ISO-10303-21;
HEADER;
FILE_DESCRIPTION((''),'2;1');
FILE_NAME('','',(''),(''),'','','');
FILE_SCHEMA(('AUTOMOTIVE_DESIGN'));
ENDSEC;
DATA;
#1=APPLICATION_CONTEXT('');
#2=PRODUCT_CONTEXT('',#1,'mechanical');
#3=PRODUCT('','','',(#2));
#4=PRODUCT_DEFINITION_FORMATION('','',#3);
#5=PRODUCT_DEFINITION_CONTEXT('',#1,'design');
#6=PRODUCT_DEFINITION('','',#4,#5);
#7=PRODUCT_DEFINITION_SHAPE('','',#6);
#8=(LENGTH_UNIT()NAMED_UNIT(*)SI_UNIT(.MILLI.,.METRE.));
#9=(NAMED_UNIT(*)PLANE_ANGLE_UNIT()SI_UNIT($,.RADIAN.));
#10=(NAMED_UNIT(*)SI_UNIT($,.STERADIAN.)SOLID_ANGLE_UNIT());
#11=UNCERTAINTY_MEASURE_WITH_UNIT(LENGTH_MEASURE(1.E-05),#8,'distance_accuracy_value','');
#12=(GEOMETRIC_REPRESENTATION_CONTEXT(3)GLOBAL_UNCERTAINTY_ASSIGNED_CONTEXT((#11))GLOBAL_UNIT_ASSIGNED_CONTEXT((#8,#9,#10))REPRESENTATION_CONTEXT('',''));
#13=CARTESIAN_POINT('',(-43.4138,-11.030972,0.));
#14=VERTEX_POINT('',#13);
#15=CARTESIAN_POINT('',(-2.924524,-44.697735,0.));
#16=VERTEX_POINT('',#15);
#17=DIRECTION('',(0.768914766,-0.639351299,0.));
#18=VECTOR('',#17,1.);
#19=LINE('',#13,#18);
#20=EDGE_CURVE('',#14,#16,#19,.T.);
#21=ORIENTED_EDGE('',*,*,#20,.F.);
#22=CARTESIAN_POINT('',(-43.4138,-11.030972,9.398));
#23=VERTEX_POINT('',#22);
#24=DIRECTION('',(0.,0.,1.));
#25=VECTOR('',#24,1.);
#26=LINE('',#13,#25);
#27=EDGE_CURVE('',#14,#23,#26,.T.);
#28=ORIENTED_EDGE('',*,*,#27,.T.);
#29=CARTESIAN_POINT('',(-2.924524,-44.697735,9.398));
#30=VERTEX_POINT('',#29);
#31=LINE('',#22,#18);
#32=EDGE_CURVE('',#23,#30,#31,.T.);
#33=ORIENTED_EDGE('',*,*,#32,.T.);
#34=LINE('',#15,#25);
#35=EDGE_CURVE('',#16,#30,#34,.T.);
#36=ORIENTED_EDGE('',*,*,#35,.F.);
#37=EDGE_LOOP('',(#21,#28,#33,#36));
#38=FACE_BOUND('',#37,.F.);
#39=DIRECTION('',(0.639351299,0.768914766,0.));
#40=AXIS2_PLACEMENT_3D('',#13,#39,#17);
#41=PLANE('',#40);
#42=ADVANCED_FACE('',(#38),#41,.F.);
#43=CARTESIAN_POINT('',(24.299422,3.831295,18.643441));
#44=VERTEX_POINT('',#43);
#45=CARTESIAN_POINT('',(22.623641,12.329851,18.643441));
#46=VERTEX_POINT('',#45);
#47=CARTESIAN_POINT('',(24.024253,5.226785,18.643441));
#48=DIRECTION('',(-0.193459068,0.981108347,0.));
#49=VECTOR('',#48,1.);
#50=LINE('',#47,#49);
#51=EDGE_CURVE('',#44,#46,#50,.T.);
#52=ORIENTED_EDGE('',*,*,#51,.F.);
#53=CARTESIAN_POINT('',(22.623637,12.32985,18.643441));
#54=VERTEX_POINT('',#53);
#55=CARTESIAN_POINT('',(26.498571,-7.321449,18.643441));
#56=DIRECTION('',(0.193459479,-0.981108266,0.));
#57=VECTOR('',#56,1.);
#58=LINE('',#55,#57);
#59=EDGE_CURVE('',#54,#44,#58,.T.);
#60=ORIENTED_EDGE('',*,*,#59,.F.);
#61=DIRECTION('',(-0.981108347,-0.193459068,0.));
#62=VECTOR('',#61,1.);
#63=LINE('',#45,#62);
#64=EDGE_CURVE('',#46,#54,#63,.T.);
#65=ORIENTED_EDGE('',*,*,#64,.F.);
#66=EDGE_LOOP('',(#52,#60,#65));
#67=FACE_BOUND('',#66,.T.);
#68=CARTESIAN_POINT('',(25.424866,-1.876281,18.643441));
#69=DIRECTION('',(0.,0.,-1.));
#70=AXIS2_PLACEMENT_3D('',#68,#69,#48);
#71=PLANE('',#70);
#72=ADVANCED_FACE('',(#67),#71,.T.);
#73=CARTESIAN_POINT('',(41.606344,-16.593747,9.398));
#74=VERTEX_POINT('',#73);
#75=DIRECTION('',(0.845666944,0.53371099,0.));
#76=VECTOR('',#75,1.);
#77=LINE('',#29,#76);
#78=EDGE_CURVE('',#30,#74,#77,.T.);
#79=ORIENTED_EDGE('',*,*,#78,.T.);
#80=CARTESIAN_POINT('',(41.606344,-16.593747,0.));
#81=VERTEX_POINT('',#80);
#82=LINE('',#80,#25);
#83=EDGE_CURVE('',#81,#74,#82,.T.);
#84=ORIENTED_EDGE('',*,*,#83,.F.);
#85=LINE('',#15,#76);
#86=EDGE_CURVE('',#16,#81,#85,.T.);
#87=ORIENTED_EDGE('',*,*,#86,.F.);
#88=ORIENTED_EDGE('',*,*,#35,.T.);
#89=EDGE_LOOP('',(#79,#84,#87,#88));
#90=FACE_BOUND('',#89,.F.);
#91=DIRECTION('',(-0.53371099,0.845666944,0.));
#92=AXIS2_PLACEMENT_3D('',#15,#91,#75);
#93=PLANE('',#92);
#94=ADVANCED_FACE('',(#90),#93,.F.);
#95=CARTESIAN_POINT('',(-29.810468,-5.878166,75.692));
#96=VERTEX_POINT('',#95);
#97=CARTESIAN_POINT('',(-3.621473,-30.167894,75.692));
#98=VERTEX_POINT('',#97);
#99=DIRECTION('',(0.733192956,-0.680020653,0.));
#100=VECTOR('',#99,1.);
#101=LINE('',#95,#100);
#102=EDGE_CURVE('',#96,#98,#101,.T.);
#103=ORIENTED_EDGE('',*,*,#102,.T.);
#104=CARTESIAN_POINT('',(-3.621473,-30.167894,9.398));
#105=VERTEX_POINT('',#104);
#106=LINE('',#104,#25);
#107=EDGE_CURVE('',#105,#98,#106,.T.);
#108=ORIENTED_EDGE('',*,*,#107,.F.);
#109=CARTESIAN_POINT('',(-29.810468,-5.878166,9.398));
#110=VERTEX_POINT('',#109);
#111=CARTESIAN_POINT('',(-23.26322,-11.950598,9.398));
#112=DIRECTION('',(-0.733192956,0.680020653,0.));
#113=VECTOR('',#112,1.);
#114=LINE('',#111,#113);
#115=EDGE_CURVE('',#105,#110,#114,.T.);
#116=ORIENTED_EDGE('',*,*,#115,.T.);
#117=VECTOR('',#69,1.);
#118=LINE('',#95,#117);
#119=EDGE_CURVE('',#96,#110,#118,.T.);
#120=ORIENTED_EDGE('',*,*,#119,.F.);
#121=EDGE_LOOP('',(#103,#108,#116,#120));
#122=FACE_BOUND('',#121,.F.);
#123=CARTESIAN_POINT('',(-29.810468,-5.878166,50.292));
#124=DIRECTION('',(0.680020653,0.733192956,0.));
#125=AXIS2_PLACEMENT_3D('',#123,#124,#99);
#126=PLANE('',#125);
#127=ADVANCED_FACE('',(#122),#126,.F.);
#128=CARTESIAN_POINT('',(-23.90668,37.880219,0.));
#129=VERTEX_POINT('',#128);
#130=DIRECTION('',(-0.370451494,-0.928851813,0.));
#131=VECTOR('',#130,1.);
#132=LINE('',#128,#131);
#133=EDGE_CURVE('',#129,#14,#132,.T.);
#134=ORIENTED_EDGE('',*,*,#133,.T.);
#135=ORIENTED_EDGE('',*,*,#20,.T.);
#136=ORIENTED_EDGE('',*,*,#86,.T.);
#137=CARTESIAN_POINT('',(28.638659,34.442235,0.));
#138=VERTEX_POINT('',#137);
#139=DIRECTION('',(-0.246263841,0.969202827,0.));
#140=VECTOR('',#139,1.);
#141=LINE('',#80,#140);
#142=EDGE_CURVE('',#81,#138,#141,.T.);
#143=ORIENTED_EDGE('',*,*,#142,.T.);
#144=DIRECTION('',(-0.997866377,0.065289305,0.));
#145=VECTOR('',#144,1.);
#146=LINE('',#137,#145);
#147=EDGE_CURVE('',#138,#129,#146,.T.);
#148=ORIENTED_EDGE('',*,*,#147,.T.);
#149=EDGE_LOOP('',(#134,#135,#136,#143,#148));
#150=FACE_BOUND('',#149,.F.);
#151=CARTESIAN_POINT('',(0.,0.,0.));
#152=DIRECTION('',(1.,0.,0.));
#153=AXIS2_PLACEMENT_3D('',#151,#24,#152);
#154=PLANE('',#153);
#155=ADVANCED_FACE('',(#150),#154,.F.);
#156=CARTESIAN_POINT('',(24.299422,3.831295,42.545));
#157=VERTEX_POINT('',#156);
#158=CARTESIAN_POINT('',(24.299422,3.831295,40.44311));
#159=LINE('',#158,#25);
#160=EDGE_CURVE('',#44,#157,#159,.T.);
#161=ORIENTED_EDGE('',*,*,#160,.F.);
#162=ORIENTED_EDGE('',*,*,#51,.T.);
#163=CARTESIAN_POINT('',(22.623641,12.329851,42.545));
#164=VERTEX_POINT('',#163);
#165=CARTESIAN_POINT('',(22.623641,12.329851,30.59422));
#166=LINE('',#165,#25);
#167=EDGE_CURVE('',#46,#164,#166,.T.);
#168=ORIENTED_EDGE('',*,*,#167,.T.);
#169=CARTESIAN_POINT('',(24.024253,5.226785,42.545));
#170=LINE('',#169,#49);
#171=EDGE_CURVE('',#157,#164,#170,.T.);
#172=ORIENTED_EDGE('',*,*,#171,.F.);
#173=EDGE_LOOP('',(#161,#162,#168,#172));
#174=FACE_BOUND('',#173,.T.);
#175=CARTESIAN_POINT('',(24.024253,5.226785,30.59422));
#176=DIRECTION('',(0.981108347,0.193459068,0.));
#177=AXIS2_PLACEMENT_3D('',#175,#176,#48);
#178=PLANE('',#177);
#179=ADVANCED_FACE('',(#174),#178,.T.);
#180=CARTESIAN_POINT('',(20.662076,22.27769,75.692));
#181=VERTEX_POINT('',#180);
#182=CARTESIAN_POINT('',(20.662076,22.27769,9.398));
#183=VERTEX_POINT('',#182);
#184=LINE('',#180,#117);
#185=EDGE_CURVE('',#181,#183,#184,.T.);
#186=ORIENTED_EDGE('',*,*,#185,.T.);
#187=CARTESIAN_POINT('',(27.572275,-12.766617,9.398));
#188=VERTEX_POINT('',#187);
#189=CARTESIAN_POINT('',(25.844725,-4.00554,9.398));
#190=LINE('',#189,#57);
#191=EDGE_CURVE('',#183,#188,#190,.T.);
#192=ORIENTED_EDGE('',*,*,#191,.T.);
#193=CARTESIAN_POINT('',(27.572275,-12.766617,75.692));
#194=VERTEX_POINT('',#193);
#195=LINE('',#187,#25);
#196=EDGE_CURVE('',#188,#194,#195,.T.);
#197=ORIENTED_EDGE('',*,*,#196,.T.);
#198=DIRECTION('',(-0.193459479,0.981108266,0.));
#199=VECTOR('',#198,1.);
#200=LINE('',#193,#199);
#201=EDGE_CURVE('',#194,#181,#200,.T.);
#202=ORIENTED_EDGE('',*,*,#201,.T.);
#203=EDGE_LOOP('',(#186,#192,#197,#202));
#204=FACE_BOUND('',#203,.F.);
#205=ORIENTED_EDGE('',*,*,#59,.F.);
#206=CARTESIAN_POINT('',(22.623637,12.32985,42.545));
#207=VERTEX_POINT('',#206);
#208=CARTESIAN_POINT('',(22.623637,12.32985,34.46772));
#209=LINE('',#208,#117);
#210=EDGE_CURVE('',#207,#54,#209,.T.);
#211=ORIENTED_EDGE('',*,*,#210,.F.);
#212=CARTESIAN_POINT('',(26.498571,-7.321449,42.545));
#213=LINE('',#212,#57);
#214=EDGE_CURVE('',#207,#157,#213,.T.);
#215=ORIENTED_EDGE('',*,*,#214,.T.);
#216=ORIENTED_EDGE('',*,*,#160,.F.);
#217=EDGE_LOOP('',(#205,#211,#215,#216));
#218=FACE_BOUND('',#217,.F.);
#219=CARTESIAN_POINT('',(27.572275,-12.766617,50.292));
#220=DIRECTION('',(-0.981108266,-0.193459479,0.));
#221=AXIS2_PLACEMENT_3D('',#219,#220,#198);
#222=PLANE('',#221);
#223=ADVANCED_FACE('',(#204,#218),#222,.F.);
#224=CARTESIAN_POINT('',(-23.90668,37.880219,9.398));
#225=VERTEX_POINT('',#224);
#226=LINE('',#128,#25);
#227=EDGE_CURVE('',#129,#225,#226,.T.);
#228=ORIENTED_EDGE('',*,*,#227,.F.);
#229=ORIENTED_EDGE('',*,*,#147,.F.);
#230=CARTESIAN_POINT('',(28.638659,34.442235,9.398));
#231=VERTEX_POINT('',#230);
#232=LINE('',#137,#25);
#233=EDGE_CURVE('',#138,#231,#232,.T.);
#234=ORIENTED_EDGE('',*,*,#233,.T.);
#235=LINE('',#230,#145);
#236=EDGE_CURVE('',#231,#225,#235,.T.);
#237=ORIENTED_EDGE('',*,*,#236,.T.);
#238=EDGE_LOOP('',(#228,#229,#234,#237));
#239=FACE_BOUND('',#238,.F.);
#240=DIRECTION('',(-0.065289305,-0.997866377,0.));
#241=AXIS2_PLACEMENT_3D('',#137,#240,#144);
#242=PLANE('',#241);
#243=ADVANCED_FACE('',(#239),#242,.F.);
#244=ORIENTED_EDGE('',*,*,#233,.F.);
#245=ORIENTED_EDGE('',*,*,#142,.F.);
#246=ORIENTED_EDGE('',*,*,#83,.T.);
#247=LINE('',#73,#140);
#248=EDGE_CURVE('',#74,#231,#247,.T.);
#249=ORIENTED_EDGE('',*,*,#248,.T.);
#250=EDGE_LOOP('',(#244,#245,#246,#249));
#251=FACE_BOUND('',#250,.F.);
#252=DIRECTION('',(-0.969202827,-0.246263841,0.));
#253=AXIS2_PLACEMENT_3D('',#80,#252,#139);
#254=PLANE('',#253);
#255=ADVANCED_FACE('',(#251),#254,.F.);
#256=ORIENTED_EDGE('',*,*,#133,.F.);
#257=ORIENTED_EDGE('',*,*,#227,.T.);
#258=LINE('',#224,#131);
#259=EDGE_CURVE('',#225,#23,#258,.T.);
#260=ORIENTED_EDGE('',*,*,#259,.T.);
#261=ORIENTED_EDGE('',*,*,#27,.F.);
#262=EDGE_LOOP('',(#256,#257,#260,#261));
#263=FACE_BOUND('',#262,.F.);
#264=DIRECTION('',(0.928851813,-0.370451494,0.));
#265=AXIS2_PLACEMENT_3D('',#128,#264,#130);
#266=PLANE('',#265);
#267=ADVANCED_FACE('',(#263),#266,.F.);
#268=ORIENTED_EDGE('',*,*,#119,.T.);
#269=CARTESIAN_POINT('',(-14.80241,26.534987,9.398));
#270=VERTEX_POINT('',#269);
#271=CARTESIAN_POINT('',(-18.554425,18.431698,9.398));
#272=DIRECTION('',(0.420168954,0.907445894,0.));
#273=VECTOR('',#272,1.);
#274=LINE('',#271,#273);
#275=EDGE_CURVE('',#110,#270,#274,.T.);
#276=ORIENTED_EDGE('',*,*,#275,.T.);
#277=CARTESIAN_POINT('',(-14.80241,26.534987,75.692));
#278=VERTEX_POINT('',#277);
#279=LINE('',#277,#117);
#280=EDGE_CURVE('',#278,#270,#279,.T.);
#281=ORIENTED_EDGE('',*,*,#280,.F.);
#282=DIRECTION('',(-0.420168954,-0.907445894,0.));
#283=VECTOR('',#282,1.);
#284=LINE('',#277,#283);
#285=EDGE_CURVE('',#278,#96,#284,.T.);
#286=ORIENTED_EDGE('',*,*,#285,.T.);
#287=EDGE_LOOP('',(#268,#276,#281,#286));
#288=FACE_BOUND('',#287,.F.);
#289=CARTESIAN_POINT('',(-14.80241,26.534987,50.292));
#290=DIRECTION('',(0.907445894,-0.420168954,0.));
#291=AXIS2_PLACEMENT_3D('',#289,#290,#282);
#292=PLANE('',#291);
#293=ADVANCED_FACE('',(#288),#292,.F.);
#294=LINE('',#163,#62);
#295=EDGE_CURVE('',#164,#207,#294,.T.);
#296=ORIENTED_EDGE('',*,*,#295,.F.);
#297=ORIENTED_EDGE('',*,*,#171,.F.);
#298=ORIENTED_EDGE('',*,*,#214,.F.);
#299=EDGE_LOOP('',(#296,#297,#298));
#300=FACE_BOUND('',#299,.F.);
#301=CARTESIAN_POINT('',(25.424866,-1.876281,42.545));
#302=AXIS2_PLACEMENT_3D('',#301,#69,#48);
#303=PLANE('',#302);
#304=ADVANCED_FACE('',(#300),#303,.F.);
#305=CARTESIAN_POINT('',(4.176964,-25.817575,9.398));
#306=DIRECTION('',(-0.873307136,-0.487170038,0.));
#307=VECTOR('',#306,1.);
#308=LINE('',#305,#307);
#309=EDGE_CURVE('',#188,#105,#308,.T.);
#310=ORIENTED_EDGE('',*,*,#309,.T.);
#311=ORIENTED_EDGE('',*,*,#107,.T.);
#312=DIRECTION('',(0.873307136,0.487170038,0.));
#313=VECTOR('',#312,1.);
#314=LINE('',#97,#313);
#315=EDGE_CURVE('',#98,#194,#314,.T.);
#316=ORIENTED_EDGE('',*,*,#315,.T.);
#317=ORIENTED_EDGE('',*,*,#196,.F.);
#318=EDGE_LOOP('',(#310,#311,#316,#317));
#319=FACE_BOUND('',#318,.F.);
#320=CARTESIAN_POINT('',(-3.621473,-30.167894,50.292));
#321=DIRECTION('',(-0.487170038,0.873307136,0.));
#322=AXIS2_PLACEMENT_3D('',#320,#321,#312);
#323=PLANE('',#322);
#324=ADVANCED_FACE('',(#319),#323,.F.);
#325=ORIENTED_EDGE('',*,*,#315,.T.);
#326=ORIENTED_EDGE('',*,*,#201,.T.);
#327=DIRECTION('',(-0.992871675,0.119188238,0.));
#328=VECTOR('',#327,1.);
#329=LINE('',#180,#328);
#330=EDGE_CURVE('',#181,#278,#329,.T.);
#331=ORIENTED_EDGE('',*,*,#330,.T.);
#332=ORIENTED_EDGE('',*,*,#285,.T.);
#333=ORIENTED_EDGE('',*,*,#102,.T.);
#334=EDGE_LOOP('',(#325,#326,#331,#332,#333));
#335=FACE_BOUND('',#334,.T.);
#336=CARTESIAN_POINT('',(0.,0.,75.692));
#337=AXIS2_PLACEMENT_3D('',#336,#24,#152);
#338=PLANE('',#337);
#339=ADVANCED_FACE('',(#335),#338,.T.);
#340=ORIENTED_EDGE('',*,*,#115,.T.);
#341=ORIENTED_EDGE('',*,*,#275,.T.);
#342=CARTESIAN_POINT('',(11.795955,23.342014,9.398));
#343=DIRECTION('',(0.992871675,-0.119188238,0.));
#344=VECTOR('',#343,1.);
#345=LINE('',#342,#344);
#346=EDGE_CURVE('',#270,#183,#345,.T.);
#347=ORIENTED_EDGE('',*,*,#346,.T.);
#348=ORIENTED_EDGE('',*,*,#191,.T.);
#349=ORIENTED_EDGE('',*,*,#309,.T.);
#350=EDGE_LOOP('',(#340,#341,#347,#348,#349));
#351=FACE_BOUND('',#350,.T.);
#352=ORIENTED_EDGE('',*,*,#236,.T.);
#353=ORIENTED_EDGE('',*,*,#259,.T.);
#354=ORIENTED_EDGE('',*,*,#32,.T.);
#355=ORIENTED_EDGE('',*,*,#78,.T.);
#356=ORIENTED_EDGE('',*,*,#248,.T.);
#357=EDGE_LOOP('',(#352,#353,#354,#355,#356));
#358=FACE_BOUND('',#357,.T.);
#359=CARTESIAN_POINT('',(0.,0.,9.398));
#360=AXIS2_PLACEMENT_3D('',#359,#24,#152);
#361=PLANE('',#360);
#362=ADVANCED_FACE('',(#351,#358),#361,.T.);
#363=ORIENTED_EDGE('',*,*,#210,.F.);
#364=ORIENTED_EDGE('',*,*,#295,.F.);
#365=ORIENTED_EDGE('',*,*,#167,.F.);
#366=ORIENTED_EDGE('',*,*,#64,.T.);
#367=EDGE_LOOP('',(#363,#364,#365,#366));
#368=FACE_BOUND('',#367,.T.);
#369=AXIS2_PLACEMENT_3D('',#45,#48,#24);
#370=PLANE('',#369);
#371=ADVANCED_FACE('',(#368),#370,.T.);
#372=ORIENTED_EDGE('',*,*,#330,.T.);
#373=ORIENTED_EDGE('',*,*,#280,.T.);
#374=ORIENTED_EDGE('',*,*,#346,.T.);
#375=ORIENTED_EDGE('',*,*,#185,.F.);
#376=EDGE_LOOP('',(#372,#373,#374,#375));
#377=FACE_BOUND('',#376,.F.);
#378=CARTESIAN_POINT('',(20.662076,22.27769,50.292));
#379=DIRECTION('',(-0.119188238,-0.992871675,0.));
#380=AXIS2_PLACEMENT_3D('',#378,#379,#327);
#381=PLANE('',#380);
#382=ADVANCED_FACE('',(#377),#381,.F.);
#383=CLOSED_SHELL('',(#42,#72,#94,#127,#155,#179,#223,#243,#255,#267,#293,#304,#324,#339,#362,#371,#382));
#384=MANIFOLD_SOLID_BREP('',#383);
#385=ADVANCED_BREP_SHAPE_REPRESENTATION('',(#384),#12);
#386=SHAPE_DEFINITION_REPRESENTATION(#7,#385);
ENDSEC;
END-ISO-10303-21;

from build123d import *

# Parameters (mm, degrees)
F1_DEPTH = 9.398
F3_DEPTH = 50.292
F4_DEPTH = 25.4
F6_W     = 14.479677
F6_H     = 23.901559
F7_DEPTH = 8.89


with BuildPart() as f1:
    # F0 (on Top) → F1 (new body)
    with BuildSketch(Plane.XY):
        Polygon((-2.924524, -44.697735), (41.606344, -16.593747), (28.638659, 34.442235), (-23.90668, 37.880219), (-43.4138, -11.030972), align=None)
    extrude(amount=F1_DEPTH)

    # F2 (on Top) → F3 (join)
    with BuildSketch(Plane.XY):
        Polygon((-3.621473, -30.167894), (27.572275, -12.766617), (20.662076, 22.27769), (-14.80241, 26.534987), (-29.810468, -5.878166), align=None)
    extrude(amount=F3_DEPTH)

    # F3_face (on face) → F4 (join)
    with BuildSketch(Plane.XY.offset(50.292)):
        Polygon((-29.810468, -5.878166), (-3.621473, -30.167894), (27.572275, -12.766617), (20.662076, 22.27769), (-14.80241, 26.534987), align=None)
    extrude(amount=F4_DEPTH)

    # F6 (on face) → F7 (join)
    with BuildSketch(Plane(origin=(24.117176, 4.755536, 0), x_dir=(-0.193459, 0.981108, 0), z_dir=(0.981108, 0.193459, 0))):
        with Locations((0.480323, 30.59422)):
            Rectangle(F6_W, F6_H)
    extrude(amount=-F7_DEPTH)


solid = f1.part
